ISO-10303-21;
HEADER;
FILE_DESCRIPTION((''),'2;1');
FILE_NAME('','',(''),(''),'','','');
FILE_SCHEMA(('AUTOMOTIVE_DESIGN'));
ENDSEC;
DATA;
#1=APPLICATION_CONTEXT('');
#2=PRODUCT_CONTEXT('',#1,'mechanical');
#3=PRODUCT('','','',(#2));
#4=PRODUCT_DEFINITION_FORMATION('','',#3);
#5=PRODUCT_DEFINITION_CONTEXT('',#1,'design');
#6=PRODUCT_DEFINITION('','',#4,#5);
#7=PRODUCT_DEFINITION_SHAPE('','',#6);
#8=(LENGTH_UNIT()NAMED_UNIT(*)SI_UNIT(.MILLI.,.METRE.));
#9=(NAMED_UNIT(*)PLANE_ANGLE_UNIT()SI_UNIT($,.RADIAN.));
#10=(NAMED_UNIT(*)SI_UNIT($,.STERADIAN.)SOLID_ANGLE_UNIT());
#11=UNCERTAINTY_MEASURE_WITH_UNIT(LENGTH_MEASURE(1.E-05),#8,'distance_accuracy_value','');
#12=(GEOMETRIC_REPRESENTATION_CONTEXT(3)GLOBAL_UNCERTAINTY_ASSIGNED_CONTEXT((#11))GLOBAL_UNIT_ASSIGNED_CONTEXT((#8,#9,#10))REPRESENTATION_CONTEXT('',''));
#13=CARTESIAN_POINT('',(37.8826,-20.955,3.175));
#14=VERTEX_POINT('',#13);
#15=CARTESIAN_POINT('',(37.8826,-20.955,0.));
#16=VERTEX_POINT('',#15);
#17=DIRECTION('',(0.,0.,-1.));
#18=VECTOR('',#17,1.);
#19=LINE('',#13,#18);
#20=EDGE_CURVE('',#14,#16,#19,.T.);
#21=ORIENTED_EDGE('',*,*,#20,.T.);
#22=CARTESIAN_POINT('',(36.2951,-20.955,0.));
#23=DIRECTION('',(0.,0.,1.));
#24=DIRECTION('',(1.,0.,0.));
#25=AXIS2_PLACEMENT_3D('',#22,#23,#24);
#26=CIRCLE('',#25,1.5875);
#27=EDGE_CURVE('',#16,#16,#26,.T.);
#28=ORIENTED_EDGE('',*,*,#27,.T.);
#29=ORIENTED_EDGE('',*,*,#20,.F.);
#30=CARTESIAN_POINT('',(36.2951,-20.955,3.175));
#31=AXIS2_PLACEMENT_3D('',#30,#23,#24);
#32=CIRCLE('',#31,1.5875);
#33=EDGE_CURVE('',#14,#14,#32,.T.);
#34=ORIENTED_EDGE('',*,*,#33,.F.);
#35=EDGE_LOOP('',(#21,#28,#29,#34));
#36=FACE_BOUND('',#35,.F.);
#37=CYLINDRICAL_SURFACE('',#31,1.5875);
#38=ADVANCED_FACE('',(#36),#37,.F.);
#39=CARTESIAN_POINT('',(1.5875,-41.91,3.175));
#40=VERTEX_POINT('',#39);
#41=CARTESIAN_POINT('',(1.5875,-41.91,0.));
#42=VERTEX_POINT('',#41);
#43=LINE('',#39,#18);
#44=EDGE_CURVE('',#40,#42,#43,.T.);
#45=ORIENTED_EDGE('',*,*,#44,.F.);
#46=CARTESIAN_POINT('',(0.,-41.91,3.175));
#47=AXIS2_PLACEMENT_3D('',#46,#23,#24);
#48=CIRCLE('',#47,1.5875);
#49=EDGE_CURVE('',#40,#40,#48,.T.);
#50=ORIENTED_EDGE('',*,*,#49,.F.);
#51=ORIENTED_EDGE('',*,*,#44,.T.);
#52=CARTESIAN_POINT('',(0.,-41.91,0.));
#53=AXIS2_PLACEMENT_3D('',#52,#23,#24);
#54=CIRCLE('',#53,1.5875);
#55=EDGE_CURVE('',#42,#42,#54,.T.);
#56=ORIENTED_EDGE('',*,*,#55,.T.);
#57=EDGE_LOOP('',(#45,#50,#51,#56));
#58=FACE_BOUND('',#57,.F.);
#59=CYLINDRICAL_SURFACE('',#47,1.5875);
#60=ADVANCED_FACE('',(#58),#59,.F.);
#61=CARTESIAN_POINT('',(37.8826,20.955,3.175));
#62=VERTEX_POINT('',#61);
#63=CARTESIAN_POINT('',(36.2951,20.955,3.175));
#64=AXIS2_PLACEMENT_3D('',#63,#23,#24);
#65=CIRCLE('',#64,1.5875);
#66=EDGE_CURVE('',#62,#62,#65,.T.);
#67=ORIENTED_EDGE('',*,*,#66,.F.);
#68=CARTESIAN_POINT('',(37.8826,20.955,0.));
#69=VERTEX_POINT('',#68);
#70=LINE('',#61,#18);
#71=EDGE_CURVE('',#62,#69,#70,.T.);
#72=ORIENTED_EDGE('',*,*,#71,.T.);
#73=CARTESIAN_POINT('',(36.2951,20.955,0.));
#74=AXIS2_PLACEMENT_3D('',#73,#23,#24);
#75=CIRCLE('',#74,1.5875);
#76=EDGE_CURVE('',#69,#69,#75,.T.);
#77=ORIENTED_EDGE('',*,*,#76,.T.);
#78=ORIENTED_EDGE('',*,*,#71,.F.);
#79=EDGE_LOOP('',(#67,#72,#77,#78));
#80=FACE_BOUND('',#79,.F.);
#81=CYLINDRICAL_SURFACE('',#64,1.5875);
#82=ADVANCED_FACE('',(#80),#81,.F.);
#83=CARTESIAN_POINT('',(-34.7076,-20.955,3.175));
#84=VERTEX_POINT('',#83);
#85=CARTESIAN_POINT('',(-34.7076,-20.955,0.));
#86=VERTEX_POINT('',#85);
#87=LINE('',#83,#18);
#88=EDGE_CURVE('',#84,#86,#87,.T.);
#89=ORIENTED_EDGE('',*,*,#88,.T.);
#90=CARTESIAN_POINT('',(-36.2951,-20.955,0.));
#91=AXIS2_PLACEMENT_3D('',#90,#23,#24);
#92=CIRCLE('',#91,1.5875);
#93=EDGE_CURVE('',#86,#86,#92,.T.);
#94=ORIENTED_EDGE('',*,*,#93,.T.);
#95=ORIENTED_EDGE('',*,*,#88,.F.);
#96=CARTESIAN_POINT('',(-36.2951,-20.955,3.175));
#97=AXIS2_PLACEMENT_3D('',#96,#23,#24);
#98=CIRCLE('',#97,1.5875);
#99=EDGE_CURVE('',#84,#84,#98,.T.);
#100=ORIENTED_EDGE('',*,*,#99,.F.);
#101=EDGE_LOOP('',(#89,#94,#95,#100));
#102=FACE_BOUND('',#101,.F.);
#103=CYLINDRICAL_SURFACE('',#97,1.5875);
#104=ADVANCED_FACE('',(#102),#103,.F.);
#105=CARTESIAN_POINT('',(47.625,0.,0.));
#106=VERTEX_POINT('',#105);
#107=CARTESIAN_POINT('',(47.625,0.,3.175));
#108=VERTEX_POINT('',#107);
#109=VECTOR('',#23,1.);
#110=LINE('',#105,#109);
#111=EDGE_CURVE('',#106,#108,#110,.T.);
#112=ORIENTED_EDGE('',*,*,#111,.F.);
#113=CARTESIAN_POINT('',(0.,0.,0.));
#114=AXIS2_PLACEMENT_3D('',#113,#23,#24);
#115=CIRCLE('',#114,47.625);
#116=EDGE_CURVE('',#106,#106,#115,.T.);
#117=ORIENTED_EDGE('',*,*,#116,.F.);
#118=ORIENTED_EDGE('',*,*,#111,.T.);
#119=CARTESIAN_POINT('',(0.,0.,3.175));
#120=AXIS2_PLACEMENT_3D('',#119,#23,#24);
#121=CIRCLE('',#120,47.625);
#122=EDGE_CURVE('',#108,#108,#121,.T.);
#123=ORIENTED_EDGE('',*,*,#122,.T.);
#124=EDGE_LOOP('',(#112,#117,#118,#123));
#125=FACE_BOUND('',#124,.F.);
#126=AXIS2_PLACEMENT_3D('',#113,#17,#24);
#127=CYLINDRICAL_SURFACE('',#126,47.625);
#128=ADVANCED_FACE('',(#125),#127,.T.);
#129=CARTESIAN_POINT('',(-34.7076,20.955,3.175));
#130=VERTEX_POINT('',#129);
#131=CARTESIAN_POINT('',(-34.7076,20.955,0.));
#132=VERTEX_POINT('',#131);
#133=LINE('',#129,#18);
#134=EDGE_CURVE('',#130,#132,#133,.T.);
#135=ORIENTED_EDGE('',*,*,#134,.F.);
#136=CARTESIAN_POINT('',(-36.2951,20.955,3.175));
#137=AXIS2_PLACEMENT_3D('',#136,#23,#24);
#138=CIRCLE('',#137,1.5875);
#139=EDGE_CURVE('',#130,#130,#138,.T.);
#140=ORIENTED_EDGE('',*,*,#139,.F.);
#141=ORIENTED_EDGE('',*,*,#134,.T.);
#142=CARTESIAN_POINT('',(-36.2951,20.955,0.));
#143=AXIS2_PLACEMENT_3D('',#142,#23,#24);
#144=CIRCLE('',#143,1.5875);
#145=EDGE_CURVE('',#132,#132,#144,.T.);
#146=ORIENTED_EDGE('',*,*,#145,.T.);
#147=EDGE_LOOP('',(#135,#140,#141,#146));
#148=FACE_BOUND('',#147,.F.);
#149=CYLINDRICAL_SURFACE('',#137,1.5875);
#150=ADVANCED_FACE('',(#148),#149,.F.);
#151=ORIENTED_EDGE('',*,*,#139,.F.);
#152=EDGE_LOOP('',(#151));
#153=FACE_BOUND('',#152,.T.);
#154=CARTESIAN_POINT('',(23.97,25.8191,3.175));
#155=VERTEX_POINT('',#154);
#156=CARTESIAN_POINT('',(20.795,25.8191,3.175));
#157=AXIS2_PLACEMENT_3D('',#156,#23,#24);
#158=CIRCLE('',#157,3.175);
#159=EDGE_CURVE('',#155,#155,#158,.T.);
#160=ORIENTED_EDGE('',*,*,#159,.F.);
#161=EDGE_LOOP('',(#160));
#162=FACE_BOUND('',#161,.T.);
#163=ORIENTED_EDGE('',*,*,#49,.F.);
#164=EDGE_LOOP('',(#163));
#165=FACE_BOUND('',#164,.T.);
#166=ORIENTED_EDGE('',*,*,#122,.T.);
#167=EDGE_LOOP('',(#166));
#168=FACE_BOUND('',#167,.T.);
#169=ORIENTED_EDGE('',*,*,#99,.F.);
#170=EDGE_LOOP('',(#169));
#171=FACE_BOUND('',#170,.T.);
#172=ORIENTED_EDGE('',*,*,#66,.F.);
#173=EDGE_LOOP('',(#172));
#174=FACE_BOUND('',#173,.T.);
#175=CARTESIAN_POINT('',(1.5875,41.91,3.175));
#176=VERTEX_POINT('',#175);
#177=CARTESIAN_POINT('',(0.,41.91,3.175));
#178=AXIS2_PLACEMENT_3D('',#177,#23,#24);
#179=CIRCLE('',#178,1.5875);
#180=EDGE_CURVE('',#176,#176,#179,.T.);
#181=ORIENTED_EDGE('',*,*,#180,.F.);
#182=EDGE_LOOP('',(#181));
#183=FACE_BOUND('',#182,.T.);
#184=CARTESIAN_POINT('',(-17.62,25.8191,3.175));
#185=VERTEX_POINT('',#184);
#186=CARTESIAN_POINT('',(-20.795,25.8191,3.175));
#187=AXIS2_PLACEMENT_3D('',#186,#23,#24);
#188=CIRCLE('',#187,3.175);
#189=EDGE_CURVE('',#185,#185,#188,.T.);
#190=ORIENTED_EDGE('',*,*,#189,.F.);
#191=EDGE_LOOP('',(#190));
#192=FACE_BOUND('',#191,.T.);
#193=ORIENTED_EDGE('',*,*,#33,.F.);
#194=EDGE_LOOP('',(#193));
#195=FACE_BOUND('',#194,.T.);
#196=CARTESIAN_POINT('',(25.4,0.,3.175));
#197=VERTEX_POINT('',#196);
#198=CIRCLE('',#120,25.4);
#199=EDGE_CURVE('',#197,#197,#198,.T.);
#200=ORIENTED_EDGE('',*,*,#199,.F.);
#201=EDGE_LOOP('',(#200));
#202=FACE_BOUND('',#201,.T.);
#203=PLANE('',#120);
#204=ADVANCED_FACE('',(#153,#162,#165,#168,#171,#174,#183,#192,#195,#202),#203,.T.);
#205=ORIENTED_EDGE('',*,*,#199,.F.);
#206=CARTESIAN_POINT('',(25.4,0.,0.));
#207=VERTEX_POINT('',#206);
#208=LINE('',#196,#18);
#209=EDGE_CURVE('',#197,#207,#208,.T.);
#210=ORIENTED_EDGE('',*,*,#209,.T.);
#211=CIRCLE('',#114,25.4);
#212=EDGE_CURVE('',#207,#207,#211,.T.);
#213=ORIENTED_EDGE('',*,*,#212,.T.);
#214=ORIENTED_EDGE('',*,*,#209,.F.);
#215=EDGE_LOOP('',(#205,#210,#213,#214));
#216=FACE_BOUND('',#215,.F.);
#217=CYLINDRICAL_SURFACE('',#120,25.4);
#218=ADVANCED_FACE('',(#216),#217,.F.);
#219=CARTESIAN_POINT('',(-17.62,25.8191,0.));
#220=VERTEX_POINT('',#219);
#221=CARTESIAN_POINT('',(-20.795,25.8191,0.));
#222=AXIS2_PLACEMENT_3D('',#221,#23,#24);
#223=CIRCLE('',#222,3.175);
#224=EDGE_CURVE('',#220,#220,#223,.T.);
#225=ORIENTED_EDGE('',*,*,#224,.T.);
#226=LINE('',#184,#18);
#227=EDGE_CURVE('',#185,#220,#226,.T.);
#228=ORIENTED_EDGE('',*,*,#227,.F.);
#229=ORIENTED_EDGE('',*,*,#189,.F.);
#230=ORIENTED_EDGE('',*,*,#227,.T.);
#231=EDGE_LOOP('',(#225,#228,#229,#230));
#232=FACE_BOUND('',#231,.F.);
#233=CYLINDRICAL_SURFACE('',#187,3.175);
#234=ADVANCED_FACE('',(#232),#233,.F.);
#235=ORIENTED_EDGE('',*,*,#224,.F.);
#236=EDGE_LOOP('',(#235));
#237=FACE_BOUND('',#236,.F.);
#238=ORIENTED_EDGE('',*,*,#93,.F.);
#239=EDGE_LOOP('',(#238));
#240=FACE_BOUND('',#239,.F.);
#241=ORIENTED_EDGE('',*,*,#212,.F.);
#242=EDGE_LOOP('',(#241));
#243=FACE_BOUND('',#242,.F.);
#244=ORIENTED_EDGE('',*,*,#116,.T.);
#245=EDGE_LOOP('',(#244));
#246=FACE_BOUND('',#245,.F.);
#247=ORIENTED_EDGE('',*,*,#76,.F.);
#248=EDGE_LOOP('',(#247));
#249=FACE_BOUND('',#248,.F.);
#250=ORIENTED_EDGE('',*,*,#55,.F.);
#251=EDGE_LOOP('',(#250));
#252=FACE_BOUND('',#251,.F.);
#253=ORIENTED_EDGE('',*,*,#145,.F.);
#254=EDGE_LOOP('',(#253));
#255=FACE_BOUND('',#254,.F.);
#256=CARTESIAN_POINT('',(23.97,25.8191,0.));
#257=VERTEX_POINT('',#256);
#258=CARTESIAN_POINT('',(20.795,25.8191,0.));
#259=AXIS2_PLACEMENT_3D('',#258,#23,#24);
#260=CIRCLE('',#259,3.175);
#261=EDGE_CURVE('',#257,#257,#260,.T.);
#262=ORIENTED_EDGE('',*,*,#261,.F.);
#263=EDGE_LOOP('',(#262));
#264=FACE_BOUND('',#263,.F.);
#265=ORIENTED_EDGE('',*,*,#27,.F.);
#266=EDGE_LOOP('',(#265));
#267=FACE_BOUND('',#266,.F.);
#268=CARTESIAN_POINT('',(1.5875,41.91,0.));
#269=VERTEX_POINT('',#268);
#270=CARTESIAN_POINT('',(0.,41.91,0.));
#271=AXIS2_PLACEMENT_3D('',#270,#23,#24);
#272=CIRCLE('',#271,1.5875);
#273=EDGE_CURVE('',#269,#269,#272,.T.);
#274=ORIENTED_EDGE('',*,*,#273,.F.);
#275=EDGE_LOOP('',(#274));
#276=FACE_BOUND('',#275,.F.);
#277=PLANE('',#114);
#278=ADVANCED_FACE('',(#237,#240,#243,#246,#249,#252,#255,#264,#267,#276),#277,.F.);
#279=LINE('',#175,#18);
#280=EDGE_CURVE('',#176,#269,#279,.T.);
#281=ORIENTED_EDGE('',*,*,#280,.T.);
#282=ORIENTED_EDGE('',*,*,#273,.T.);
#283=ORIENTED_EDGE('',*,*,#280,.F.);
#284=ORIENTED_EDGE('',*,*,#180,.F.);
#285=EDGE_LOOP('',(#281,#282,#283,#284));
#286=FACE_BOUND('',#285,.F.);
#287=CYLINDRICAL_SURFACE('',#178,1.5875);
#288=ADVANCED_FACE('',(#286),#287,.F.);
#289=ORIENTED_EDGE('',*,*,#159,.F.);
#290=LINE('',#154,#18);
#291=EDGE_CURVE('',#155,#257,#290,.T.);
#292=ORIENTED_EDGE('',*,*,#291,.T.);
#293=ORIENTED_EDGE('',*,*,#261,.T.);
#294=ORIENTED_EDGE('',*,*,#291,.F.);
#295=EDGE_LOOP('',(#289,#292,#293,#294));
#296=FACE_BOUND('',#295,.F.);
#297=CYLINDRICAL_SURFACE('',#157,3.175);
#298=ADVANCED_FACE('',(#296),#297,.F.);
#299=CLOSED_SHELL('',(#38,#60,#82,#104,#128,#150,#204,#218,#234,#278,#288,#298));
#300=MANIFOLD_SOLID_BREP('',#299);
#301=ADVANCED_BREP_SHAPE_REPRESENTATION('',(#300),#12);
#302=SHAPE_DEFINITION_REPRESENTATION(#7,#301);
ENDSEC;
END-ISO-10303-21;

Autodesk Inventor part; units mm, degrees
ref_plane "YZ Plane" through (0, 0, 0) normal (1, 0, 0) x (0, 1, 0)
ref_plane "XZ Plane" through (0, 0, 0) normal (0, 1, 0) x (-1, 0, 0)
ref_plane "XY Plane" through (0, 0, 0) normal (0, 0, 1) x (1, 0, 0)
sketch "Sketch1" plane through (0, 0, 0) normal (0, 0, 1) x (1, 0, 0)
  circle A0 centre (0, 0) radius 47.625
  dimension "d0" = 95.25
extrude "Extrusion1" add sketch "Sketch1" along normal blind 3.175
sketch "Sketch2" plane through (0, 0, 3.175) normal (0, 0, 1) x (1, 0, 0)
  circle A0 centre (0, 41.91) radius 1.5875
  circle A1 centre (-36.2951, 20.955) radius 1.5875
  circle A2 centre (-36.2951, -20.955) radius 1.5875
  circle A3 centre (0, -41.91) radius 1.5875
  circle A4 centre (36.2951, -20.955) radius 1.5875
  circle A5 centre (36.2951, 20.955) radius 1.5875
  point P0 (0, 0)
  dimension "d3" = 3.175
  dimension "d4" = 41.91
  dimension "d7" = 360
extrude "Extrusion2" cut sketch "Sketch2" against normal blind 3.175
sketch "Sketch3" plane through (0, 0, 3.175) normal (0, 0, 1) x (1, 0, 0)
  circle A0 centre (0, 0) radius 25.4
  dimension "d11" = 50.8
extrude "Extrusion3" cut sketch "Sketch3" against normal blind 3.175
sketch "Sketch4" plane through (0, 0, 3.175) normal (0, 0, 1) x (1, 0, 0)
  circle A0 centre (20.795, 25.8191) radius 3.175
  line L0 (0, 0) -> (0, 9.1169)
  circle A1 centre (-20.795, 25.8191) radius 3.175
  dimension "d14" = 6.35
  dimension "d15" = 25.8191
  dimension "d16" = 20.795
extrude "Extrusion4" cut sketch "Sketch4" against normal blind 25.4
properties part number "aftSealInsideDisc" material "ABS Plastic"
